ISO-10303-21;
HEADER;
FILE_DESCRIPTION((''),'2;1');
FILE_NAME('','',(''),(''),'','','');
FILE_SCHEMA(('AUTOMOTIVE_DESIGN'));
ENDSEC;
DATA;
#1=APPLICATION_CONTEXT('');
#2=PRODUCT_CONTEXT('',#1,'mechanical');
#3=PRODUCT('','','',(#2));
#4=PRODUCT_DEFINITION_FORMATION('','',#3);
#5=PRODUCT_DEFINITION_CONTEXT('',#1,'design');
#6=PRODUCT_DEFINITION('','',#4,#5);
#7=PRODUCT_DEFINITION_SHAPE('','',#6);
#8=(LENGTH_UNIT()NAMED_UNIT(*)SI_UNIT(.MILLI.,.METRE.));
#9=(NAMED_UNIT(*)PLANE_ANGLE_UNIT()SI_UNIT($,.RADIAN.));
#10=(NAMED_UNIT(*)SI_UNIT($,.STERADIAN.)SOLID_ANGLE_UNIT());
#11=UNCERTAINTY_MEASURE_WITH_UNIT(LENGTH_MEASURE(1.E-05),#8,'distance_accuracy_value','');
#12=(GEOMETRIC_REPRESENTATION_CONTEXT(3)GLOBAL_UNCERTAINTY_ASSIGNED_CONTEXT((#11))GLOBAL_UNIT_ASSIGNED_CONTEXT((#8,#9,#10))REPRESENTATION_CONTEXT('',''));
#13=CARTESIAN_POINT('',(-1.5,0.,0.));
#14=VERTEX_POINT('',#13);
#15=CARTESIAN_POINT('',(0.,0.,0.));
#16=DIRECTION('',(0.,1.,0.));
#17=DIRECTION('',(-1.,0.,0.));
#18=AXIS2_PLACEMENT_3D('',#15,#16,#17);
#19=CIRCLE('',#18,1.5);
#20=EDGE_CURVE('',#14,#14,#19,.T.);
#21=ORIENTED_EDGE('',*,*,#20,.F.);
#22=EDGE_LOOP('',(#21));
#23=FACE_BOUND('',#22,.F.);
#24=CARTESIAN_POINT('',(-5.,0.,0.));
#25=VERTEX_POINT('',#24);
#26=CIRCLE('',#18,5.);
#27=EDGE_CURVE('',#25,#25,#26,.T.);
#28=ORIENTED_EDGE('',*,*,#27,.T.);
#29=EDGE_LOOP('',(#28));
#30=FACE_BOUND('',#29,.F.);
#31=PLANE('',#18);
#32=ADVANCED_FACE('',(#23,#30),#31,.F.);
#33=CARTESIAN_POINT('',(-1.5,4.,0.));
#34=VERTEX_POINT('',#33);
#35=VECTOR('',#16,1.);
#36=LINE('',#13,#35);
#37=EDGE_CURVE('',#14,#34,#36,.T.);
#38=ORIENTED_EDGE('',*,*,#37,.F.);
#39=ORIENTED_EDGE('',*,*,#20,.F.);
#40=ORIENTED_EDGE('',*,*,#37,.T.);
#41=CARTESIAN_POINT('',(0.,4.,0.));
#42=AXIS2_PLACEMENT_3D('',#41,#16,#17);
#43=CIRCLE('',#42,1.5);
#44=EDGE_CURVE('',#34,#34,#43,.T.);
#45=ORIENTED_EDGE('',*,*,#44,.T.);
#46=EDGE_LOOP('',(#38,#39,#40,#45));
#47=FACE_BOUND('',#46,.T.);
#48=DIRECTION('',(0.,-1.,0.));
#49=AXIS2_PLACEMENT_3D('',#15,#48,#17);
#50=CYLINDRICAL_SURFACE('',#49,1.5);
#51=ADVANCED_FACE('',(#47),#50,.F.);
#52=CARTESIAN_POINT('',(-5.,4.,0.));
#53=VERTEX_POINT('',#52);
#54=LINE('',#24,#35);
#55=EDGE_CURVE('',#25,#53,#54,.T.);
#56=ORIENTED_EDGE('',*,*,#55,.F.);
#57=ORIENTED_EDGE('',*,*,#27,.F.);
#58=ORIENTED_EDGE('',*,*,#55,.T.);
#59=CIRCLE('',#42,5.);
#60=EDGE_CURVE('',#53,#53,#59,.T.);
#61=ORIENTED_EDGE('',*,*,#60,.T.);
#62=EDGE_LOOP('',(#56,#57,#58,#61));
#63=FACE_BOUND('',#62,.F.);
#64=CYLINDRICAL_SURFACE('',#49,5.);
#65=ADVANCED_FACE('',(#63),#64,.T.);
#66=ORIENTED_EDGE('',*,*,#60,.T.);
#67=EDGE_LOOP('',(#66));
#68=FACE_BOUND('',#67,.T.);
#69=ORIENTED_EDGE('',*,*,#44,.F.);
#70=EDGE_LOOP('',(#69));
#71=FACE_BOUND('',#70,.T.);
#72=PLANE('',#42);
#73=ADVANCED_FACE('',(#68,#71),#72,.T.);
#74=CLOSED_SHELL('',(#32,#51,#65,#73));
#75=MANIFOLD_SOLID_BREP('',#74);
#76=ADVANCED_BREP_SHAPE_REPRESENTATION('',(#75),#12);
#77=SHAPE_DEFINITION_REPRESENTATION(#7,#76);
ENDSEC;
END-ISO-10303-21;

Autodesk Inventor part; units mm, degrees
ref_plane "YZ Plane" through (0, 0, 0) normal (1, 0, 0) x (0, 1, 0)
ref_plane "XZ Plane" through (0, 0, 0) normal (0, 1, 0) x (-1, 0, 0)
ref_plane "XY Plane" through (0, 0, 0) normal (0, 0, 1) x (1, 0, 0)
sketch "Sketch1" plane through (0, 0, 0) normal (0, 1, 0) x (-1, 0, 0)
  circle A0 centre (0, 0) radius 1.5
  circle A1 centre (0, 0) radius 5
  dimension "d0" = 3
  dimension "d1" = 10
extrude "Extrusion1" add sketch "Sketch1" along normal blind 4
properties part number "bearing 3-10x4" material "アセタール樹脂、白"
